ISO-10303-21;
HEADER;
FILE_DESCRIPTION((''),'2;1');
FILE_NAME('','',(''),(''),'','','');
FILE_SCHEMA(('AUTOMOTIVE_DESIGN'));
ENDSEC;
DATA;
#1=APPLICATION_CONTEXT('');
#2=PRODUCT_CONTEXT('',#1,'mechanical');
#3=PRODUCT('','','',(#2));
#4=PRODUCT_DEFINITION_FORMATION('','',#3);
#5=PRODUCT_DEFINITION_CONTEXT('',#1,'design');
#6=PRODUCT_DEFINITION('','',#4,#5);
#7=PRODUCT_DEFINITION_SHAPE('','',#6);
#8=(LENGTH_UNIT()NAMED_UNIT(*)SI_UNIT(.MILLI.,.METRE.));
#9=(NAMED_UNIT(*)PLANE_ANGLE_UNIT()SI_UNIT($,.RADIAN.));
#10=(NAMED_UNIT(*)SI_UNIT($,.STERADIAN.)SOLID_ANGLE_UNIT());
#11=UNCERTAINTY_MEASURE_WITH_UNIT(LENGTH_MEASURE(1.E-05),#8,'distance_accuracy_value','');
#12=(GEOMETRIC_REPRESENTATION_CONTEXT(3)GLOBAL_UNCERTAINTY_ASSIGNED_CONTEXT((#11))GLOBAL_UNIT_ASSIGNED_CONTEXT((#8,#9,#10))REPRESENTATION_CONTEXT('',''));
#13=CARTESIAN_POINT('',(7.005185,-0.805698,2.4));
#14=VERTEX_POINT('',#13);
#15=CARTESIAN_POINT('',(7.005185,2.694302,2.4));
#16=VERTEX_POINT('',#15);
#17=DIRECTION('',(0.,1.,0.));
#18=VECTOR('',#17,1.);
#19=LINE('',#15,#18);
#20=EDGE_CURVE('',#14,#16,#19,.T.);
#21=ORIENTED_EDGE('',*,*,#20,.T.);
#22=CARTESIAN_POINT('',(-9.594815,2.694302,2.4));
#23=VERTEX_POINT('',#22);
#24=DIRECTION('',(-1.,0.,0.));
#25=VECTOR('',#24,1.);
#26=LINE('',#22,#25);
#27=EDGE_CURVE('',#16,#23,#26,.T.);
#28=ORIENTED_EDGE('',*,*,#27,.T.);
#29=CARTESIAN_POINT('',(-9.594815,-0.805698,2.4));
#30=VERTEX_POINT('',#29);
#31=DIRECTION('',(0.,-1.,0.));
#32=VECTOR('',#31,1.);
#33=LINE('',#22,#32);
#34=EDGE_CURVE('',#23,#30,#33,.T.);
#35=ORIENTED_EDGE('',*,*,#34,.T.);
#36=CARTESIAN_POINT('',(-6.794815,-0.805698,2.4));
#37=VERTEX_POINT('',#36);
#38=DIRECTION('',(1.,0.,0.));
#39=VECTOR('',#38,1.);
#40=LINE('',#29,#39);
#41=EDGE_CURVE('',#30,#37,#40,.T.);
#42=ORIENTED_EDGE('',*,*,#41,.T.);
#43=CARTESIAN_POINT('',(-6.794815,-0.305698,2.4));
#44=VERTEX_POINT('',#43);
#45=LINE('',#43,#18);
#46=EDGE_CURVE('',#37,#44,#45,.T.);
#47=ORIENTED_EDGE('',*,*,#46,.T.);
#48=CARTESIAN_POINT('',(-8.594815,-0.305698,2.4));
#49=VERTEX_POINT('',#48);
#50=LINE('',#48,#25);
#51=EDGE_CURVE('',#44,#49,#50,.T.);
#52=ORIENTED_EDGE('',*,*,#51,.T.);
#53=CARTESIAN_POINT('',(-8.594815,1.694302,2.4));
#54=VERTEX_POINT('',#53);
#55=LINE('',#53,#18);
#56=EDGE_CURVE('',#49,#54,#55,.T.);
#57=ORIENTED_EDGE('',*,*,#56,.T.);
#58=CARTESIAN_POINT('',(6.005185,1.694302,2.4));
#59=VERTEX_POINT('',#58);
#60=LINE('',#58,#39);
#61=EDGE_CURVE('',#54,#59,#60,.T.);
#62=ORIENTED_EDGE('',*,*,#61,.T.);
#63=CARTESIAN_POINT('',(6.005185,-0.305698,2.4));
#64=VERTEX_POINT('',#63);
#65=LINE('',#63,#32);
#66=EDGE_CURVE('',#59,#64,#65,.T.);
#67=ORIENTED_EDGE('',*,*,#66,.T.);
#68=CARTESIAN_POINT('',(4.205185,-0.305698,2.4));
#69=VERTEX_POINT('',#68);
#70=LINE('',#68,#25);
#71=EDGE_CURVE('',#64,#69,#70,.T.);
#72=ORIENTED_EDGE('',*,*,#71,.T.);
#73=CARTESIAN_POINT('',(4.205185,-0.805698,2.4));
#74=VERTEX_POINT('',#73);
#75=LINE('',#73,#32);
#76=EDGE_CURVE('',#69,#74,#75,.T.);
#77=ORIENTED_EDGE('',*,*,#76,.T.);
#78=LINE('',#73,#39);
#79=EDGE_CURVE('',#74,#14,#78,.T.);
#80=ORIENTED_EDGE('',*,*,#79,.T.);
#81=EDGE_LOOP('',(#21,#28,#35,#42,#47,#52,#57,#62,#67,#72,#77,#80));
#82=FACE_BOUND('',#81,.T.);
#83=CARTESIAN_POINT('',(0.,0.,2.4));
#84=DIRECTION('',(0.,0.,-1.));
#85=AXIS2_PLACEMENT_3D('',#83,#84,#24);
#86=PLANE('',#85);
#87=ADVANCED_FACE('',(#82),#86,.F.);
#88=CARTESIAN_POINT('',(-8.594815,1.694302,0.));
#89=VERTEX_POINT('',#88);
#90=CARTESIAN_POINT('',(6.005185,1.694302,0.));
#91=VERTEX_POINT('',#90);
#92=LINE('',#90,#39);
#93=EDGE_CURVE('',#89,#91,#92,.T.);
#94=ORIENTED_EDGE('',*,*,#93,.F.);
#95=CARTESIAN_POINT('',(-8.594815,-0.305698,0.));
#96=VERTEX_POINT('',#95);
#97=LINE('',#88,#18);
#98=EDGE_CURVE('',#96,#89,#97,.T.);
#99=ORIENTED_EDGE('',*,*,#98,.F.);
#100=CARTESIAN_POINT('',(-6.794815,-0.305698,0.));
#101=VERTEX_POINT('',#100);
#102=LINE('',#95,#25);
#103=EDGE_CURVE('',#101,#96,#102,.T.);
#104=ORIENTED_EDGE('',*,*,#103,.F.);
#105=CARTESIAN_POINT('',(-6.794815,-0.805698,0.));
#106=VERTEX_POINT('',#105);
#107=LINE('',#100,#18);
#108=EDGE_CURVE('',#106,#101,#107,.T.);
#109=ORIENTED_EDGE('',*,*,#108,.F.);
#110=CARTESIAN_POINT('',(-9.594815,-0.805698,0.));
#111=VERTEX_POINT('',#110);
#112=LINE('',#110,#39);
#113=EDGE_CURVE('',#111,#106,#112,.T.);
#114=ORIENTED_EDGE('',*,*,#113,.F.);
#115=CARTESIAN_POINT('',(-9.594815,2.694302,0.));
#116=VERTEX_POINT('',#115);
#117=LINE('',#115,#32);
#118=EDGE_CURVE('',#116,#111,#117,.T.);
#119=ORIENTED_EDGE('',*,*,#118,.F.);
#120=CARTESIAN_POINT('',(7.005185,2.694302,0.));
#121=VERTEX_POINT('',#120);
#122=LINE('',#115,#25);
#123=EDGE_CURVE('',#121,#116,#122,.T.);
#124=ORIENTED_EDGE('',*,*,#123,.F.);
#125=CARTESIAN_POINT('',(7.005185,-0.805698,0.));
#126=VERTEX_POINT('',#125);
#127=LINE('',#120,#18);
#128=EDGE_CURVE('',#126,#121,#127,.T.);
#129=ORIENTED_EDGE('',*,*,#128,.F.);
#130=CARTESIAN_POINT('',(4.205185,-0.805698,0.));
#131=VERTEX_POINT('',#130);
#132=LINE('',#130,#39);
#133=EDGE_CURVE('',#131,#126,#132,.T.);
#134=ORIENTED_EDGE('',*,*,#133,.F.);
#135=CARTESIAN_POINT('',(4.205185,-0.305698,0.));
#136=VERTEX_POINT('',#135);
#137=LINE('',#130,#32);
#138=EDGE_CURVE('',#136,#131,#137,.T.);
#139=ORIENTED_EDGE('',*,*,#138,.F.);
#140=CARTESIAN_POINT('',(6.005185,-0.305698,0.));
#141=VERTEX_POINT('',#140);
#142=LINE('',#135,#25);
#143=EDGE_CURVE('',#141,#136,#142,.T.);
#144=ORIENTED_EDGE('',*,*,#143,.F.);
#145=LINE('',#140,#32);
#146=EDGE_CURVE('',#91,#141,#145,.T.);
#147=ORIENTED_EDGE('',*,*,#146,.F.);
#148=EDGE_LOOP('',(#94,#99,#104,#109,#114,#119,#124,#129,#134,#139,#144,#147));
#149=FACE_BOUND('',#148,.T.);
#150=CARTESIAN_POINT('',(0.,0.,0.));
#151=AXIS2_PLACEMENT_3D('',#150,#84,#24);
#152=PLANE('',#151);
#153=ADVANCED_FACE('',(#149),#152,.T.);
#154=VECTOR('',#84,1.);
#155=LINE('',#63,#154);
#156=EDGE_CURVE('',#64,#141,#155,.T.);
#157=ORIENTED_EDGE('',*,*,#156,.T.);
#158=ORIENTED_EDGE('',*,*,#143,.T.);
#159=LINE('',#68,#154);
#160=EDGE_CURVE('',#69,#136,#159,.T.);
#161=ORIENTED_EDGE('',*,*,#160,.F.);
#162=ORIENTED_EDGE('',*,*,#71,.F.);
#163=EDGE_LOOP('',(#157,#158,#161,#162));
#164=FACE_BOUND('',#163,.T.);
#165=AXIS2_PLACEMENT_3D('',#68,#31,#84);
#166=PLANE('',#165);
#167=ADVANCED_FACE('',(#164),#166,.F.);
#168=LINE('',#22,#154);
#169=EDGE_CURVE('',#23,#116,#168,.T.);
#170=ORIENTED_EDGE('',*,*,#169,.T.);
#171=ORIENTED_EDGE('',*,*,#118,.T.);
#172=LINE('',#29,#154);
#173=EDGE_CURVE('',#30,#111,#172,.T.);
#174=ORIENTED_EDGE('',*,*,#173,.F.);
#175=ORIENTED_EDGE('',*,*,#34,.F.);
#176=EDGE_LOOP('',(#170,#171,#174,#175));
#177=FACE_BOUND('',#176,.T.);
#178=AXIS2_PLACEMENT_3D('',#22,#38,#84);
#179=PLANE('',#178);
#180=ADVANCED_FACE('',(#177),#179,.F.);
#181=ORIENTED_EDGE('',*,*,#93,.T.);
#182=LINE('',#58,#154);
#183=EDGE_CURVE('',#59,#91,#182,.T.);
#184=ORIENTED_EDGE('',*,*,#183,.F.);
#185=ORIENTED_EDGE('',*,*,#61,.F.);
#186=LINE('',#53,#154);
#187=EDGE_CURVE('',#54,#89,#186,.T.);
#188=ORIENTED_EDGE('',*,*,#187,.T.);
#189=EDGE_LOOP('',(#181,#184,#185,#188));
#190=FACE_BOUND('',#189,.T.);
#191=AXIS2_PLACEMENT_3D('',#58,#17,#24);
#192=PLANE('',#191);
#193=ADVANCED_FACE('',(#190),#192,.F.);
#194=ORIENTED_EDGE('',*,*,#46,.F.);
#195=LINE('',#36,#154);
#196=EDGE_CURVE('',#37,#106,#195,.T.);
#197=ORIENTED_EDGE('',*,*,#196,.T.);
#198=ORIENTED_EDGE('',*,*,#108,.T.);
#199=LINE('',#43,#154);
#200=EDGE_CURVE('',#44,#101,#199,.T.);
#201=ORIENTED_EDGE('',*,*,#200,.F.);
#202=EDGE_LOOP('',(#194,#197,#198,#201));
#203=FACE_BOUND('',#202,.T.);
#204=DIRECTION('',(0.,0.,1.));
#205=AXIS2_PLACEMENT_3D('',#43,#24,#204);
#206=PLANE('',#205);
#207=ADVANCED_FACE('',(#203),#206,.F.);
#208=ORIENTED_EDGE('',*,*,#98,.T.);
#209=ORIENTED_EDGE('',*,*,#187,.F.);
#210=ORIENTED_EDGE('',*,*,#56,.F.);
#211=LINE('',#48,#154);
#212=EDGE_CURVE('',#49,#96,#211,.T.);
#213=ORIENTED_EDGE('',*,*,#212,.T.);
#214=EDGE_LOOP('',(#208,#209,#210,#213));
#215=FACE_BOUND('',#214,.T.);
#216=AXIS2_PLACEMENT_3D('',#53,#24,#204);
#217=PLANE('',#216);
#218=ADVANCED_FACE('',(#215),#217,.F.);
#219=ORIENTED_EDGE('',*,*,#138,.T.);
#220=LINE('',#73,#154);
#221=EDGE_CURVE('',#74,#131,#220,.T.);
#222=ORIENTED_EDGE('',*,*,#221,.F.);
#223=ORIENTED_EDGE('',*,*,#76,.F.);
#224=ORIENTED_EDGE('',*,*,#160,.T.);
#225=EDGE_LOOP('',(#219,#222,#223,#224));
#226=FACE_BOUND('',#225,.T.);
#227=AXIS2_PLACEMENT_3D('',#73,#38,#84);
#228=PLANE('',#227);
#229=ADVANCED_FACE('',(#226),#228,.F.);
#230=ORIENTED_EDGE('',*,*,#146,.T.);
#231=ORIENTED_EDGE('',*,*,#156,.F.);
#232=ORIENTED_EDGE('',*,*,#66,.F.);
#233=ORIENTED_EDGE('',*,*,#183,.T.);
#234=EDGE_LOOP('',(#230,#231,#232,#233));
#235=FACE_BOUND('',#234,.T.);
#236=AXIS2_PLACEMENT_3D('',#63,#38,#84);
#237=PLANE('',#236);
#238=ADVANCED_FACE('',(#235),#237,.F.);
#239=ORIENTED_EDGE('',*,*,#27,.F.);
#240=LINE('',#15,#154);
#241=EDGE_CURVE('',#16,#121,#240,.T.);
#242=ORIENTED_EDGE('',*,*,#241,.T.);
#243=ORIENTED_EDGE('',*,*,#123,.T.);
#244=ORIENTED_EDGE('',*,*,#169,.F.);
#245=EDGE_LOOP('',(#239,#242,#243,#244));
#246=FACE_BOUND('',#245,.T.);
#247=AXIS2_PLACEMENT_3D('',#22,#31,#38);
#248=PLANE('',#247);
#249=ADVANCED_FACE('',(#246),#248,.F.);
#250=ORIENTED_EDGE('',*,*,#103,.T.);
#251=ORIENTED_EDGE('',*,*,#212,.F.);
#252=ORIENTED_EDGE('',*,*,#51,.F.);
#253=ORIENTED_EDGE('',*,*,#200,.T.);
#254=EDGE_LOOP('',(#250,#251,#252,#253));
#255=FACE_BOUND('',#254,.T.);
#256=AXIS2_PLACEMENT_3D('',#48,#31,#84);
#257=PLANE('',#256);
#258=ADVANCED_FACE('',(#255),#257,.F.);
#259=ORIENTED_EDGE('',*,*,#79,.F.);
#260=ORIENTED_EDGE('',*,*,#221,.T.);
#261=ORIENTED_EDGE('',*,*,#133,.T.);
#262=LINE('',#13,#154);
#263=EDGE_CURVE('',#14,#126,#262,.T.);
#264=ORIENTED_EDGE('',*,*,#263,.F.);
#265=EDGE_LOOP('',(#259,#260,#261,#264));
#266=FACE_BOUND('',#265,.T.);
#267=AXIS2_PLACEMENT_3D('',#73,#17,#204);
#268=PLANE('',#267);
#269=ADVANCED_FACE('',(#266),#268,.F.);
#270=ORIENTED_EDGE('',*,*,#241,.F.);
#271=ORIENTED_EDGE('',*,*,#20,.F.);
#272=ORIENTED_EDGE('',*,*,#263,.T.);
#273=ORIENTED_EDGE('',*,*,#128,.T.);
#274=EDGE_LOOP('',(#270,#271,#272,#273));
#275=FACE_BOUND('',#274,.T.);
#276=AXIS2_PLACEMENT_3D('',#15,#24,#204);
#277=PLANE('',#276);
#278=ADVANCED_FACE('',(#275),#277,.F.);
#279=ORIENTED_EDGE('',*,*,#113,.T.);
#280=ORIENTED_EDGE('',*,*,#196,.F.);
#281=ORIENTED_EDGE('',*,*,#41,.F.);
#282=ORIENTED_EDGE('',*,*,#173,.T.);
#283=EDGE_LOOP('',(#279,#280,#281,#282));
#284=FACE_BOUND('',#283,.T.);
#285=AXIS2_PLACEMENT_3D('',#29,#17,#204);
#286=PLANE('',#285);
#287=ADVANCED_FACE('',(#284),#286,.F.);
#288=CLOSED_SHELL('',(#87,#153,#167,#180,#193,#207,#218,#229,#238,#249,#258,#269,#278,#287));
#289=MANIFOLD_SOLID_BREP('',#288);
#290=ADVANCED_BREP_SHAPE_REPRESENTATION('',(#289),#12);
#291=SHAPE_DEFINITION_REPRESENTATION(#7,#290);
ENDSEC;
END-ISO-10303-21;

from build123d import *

# Parameters (mm, degrees)
Y_KSEKLIK_EKSTR_ZYON1_DEPTH = 2.4


with BuildPart() as part:
    # Çizim1 → Yükseklik-Ekstrüzyon1 (new body)
    with BuildSketch(Plane.XY):
        Polygon((4.205184962, -0.805698091), (4.205184962, -0.305698091), (6.005184962, -0.305698091), (6.005184962, 1.694301909), (-8.594815038, 1.694301909), (-8.594815038, -0.305698091), (-6.794815038, -0.305698091), (-6.794815038, -0.805698091), (-9.594815038, -0.805698091), (-9.594815038, 2.694301909), (7.005184962, 2.694301909), (7.005184962, -0.805698091), align=None)
    extrude(amount=Y_KSEKLIK_EKSTR_ZYON1_DEPTH)


solid = part.part
